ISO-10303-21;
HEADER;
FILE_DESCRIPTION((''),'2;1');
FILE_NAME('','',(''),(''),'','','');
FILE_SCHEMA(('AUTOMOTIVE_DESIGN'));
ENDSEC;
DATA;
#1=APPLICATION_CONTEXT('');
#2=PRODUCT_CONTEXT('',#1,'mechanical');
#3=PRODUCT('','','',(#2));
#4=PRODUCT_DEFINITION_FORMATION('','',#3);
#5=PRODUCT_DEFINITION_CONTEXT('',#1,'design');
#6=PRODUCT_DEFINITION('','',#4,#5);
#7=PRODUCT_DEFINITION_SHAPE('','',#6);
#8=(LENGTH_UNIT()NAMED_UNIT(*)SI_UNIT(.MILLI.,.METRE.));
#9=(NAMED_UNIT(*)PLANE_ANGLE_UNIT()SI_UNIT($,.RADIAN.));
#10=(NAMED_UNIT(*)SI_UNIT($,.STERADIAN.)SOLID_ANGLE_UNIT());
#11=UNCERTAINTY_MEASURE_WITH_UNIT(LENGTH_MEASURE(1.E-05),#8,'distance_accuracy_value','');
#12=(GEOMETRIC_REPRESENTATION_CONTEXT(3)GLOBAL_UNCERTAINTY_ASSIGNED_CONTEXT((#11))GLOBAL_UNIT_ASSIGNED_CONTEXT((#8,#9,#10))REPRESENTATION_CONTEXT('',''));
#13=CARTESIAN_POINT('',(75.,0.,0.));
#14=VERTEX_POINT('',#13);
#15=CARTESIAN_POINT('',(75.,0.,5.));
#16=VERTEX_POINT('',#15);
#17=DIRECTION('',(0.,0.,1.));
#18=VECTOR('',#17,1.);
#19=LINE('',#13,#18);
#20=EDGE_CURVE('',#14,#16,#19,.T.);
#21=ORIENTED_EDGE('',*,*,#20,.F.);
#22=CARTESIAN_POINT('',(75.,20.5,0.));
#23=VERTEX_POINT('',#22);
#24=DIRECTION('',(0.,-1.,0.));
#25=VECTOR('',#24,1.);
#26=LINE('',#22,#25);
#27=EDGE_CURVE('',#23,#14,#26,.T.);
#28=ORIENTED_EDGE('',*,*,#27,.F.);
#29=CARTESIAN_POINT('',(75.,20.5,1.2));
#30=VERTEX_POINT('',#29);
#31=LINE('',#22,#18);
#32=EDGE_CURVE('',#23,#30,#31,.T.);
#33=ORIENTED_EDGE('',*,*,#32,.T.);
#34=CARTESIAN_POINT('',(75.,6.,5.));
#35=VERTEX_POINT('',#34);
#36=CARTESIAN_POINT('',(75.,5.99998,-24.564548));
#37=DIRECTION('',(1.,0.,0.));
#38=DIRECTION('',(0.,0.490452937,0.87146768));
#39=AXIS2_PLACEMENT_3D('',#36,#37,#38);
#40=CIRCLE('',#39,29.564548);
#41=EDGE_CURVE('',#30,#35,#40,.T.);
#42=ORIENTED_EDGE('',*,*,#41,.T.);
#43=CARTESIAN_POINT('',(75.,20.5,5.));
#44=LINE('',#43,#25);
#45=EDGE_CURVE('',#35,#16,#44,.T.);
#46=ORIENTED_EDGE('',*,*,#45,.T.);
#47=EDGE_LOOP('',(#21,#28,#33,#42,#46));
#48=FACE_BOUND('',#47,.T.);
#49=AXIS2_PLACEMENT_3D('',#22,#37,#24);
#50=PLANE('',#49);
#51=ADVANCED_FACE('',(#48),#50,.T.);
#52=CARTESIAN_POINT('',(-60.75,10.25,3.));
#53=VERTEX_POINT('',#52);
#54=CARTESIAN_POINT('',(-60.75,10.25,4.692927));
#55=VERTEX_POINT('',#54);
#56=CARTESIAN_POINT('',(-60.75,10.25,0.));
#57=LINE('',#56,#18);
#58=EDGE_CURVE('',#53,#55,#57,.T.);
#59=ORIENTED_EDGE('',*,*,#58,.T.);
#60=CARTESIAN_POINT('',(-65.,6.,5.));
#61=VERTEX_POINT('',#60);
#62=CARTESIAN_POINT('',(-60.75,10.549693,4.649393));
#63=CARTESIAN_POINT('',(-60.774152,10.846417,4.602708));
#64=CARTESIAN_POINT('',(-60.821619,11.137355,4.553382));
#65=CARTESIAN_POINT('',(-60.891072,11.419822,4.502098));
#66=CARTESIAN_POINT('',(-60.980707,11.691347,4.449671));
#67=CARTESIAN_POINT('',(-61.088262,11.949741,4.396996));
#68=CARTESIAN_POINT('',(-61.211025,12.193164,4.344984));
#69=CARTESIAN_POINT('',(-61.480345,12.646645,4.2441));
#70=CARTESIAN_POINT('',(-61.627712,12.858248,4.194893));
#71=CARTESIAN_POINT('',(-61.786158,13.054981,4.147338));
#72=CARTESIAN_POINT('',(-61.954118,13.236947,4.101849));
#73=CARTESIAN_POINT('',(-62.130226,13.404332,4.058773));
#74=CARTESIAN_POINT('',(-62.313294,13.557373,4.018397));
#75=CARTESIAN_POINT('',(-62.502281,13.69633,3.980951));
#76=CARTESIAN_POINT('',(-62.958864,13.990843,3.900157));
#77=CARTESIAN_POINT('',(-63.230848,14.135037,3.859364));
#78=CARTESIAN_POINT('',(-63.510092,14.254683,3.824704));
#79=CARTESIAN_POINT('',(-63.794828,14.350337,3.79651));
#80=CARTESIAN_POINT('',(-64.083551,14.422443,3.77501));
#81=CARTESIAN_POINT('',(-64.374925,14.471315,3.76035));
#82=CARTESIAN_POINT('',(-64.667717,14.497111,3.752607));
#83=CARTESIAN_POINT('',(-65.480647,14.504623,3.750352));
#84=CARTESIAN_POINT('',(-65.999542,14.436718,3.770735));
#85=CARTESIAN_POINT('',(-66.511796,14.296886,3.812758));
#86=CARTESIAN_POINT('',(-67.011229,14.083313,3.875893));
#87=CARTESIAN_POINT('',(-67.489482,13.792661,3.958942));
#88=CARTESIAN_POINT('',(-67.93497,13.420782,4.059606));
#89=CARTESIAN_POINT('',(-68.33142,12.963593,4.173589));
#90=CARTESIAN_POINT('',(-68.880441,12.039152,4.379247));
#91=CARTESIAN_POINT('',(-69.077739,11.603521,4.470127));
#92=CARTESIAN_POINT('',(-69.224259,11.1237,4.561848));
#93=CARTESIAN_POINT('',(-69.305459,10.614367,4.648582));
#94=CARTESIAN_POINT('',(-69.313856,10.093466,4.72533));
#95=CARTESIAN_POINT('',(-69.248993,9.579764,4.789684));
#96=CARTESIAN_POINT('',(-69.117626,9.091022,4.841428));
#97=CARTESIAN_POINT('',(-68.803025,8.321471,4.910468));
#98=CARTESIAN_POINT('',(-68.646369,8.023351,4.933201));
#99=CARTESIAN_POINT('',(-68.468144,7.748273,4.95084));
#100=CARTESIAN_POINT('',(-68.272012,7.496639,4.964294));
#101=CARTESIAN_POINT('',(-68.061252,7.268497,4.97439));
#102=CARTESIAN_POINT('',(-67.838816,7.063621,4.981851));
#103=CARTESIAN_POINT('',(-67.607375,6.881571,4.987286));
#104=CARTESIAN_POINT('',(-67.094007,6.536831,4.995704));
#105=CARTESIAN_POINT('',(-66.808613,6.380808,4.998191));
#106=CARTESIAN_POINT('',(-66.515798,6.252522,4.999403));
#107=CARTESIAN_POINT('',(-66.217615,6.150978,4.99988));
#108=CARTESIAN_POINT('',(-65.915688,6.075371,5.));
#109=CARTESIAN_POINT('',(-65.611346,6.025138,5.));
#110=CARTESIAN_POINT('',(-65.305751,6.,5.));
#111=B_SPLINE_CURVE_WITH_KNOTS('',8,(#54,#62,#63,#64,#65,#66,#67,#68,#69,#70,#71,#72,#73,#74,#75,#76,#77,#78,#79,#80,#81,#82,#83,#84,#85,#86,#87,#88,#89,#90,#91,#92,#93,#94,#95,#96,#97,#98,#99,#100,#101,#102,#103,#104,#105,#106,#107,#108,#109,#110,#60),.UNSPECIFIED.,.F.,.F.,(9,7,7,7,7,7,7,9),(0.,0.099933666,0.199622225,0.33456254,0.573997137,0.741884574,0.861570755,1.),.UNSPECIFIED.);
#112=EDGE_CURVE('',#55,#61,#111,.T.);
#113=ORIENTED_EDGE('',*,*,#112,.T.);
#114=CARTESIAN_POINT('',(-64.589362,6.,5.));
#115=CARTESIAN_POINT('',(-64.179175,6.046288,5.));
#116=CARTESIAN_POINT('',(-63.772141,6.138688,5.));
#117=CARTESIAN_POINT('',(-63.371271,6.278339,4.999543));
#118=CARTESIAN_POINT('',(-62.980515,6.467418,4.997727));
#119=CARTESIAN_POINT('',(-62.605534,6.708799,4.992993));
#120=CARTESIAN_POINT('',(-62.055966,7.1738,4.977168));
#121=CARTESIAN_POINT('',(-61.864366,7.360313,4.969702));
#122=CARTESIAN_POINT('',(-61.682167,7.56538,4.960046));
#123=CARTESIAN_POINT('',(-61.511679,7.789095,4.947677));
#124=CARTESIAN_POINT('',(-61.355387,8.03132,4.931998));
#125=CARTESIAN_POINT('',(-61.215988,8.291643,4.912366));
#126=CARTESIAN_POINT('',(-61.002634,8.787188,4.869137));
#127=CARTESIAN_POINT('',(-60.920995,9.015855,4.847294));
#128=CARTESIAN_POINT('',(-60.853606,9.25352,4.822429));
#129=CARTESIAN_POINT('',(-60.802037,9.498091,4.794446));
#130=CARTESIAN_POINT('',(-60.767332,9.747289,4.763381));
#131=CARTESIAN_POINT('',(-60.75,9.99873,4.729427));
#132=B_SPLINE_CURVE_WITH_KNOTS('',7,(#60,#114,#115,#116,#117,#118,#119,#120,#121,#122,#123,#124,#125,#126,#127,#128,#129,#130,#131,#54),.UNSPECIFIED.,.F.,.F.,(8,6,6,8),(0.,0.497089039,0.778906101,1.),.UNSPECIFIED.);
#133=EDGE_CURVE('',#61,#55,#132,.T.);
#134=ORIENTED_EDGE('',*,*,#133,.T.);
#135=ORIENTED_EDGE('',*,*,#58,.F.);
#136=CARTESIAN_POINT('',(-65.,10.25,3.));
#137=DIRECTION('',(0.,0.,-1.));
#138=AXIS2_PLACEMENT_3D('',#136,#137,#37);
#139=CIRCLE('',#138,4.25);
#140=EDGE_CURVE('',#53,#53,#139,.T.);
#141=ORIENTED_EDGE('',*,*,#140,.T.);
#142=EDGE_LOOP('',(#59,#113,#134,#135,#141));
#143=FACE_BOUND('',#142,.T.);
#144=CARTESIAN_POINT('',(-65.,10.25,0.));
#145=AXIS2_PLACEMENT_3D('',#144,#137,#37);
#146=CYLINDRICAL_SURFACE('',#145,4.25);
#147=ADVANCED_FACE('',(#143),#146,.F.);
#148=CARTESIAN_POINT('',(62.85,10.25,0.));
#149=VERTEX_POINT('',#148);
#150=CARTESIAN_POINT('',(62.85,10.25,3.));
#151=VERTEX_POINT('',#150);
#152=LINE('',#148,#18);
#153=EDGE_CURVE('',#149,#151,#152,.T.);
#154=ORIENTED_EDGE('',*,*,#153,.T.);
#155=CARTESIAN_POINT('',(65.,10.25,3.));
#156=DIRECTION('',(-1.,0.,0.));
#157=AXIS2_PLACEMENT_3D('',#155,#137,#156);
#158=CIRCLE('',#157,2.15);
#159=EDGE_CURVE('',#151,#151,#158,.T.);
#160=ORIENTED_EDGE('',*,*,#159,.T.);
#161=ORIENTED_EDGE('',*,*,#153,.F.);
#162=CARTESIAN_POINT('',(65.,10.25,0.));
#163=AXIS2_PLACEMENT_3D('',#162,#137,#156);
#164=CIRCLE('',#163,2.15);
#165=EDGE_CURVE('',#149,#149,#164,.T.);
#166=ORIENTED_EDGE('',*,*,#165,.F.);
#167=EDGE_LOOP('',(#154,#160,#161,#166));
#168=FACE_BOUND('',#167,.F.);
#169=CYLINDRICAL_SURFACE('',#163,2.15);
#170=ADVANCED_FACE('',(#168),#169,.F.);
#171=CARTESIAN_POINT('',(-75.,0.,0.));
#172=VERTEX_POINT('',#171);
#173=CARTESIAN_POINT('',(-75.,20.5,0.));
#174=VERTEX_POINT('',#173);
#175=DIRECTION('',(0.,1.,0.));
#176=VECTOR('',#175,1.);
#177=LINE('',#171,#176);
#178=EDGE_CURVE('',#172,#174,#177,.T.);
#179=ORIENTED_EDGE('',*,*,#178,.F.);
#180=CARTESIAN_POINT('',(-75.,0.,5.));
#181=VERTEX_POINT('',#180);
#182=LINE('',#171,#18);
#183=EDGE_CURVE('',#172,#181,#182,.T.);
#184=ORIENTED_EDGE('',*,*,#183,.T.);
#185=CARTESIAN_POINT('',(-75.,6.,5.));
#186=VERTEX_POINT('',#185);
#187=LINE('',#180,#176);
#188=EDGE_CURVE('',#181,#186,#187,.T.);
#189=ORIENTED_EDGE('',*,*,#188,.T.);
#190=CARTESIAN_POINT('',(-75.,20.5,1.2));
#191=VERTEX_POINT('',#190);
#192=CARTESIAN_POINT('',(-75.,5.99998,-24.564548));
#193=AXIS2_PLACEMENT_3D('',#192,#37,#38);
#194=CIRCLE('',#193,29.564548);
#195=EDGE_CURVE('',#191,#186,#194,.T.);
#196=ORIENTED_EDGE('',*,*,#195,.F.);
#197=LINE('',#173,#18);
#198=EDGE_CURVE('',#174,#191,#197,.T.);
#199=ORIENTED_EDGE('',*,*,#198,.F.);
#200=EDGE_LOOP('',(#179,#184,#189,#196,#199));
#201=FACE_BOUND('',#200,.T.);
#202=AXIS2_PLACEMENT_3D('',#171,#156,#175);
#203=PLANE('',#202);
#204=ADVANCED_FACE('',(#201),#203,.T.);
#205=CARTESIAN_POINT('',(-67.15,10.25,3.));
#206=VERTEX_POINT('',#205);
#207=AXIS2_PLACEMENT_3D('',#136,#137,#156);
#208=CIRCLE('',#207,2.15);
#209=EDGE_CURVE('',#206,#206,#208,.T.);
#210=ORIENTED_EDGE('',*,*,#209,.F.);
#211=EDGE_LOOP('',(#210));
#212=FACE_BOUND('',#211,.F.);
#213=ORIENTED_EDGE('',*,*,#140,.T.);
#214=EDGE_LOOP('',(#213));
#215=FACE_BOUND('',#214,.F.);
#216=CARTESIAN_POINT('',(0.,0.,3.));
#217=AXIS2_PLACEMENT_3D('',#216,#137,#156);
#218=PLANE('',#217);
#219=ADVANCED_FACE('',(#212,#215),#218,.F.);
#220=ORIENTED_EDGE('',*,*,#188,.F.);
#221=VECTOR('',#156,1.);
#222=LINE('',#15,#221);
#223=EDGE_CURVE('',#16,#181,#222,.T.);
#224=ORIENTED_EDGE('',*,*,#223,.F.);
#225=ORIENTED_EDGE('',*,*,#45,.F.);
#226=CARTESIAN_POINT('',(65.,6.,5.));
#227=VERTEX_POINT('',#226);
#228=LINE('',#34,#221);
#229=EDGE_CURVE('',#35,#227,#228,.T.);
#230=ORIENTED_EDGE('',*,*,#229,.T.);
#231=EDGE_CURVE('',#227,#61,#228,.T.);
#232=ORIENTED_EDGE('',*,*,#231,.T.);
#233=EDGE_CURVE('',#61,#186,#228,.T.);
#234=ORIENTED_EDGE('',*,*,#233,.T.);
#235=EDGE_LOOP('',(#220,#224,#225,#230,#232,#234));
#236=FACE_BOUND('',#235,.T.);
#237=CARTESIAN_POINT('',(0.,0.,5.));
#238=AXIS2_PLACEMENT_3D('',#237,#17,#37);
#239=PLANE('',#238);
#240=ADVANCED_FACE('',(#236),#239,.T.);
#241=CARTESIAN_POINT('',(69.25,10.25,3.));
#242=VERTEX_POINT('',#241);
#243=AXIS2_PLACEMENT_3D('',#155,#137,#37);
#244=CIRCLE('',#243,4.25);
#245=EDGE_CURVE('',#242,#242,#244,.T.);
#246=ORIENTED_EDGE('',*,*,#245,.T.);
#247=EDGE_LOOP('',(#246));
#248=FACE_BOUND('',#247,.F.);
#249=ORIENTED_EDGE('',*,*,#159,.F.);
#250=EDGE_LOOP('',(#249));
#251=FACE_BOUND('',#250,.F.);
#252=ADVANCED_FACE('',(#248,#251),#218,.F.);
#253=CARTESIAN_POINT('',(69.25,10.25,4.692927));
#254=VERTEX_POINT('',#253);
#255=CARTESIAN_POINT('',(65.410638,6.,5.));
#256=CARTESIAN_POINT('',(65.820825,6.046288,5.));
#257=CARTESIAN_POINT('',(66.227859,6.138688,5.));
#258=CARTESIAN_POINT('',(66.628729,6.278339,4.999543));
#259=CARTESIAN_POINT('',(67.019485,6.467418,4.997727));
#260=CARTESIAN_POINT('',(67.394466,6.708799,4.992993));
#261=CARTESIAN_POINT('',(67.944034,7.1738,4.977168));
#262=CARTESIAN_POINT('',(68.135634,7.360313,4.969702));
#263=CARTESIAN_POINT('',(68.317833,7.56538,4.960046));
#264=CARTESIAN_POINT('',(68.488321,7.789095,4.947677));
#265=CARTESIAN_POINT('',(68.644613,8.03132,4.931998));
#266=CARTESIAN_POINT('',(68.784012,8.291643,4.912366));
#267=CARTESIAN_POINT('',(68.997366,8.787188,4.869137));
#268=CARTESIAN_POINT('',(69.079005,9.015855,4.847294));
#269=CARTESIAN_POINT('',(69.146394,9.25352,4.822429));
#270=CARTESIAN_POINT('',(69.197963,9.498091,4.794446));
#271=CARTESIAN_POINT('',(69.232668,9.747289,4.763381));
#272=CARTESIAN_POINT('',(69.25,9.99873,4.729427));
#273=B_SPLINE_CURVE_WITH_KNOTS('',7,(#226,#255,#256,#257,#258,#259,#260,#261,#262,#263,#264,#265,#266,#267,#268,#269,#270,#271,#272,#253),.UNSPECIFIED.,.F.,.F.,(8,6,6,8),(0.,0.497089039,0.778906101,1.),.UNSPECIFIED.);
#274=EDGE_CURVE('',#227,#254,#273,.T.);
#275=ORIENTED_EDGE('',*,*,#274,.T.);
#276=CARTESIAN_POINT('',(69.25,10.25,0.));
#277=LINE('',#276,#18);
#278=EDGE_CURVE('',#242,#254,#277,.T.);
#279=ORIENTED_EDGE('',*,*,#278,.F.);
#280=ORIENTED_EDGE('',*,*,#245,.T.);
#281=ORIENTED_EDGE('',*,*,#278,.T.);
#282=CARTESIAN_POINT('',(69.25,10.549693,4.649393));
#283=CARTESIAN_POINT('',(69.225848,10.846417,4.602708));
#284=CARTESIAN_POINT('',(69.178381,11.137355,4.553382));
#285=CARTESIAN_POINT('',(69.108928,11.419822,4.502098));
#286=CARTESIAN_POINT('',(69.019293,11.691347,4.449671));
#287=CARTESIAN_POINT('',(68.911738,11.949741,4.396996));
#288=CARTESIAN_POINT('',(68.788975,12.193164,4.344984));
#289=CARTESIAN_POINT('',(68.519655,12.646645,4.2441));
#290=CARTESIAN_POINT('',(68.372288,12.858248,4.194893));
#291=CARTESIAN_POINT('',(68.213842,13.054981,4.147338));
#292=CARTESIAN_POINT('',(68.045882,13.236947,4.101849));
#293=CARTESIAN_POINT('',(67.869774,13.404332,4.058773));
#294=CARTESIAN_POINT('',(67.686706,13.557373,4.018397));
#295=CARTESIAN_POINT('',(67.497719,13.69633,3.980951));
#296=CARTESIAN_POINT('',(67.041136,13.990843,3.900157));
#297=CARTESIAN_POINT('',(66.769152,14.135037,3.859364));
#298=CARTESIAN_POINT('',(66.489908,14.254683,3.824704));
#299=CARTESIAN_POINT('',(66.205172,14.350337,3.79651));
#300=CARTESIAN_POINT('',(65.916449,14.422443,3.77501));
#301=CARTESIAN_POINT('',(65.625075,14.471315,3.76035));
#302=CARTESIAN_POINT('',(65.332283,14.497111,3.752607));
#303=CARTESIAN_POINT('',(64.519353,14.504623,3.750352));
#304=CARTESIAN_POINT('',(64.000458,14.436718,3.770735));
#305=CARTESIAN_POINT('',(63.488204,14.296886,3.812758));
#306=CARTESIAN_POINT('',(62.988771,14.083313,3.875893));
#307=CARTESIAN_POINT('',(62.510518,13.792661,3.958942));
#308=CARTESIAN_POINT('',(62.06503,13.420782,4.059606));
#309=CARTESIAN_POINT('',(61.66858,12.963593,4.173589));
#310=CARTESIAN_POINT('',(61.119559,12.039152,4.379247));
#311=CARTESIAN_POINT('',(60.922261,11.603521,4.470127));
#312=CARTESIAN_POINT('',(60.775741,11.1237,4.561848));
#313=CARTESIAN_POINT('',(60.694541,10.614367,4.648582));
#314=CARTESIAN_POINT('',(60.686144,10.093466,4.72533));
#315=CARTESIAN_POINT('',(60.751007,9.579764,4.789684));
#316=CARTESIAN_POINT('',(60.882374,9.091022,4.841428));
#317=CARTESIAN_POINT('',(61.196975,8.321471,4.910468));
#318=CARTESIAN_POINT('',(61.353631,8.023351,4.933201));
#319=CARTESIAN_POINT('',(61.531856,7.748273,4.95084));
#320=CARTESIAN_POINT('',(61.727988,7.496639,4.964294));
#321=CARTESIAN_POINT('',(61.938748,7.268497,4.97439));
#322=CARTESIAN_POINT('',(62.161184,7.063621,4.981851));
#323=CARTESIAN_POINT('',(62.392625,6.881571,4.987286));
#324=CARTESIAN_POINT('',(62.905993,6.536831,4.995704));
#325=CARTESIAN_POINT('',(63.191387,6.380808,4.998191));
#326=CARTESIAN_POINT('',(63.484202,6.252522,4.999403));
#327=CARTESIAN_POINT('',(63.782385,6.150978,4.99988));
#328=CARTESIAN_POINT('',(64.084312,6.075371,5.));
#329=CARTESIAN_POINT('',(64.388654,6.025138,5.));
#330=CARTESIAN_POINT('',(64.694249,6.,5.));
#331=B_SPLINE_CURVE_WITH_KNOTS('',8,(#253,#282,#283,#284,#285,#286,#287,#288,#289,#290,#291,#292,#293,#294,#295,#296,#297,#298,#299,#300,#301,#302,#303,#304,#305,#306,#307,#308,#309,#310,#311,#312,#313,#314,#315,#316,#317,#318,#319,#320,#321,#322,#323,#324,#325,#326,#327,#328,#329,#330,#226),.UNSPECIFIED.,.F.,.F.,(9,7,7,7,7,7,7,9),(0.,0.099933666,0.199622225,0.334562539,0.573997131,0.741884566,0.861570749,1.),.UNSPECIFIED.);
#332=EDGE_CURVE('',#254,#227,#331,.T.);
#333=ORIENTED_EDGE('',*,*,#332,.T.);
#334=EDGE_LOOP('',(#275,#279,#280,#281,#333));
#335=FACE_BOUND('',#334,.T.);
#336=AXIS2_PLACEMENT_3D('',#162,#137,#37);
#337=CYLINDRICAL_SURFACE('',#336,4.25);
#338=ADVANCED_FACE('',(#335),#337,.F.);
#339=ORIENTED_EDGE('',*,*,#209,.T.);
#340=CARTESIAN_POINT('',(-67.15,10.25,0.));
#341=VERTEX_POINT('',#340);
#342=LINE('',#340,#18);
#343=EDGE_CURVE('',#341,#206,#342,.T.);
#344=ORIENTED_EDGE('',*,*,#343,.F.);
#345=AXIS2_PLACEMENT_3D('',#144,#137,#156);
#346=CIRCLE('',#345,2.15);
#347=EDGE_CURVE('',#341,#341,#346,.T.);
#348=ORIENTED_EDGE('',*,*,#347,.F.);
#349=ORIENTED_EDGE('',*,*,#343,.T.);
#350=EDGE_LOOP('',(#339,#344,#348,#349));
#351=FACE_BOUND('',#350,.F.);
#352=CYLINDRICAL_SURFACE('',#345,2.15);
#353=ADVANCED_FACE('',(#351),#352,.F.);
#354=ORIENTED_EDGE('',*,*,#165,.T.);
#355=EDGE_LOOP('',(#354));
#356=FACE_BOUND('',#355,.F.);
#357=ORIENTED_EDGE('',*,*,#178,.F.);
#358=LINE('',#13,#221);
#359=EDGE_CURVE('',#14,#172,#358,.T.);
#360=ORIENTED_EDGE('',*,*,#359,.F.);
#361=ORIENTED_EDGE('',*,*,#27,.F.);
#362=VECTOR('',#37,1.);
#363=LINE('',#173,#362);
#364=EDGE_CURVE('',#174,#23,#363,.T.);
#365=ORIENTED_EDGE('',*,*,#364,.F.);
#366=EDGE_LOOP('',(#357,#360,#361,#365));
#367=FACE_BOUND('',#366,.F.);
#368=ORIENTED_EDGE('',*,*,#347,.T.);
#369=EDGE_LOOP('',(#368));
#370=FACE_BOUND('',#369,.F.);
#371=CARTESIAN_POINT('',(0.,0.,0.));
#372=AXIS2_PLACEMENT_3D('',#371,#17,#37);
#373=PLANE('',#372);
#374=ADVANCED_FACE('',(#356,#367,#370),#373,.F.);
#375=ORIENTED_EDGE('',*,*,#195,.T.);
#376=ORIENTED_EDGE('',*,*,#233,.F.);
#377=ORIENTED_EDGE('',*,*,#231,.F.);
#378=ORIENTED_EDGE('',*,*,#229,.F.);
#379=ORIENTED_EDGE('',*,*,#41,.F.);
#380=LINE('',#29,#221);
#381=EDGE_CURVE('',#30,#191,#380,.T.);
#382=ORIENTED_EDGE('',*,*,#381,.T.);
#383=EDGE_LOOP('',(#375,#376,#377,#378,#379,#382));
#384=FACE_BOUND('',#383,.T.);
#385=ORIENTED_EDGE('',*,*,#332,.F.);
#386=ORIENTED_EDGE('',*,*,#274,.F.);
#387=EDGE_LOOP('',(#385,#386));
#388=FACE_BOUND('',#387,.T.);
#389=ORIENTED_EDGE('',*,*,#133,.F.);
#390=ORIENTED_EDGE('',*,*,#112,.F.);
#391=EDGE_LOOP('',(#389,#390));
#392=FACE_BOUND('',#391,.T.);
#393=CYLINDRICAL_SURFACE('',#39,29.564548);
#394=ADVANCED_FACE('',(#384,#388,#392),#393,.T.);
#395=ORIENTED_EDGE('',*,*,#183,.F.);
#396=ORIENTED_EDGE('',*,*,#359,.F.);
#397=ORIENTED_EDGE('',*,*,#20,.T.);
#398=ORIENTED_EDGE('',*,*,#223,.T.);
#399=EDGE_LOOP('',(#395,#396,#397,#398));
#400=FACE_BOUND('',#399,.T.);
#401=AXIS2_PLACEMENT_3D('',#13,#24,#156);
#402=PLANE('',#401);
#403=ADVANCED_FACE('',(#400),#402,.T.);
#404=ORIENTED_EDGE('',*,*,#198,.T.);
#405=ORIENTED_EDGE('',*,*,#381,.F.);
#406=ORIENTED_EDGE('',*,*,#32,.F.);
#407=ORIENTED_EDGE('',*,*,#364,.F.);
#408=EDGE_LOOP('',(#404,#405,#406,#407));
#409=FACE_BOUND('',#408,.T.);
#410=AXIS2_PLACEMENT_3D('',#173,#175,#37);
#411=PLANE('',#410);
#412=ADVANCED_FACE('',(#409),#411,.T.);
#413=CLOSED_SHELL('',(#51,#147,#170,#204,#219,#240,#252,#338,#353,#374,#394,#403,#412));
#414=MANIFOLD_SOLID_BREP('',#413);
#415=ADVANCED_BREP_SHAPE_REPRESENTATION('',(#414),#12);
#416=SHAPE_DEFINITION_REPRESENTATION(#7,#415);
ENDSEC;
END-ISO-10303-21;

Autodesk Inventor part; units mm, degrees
ref_plane "YZ Plane" through (0, 0, 0) normal (1, 0, 0) x (0, 1, 0)
ref_plane "XZ Plane" through (0, 0, 0) normal (0, 1, 0) x (-1, 0, 0)
ref_plane "XY Plane" through (0, 0, 0) normal (0, 0, 1) x (1, 0, 0)
sketch "スケッチ1" plane through (0, 0, 0) normal (0, 0, 1) x (1, 0, 0)
  line L0 (-75, 20.5) -> (75, 20.5)
  line L1 (75, 20.5) -> (75, 0)
  line L2 (75, 0) -> (-75, 0)
  line L3 (-75, 0) -> (-75, 20.5)
  circle A0 centre (-65, 10.25) radius 4.25
  circle A1 centre (65, 10.25) radius 4.25
  point P0 (0, 0)
  point P1 (0, 0)
  dimension "d0" = 20.5
  dimension "d1" = 150
  dimension "d2" = 10.25
  dimension "d3" = 130
  dimension "d4" = 10
  dimension "d5" = 8.5
extrude "押し出し1" add sketch "スケッチ1" along normal blind 5
sketch "スケッチ3" plane through (75, 0, 0) normal (1, 0, 0) x (0, 0, -1)
  line L0 (0, 0) -> (0, 20.5) construction
  line L1 (0, 20.5) -> (-5, 20.5) construction
  line L2 (-5, 0) -> (-5, 20.5) construction
  line L3 (0, 0) -> (-5, 0) construction
  line L4 (0, 20.5) -> (-5, 20.5) projected
  arc A0 (-1.2, 20.5) -> (-5, 6) centre (24.5645, 6) ccw
  line L5 (-5, 0) -> (-5, 20.5) projected
  line L6 (-1.2, 20.5) -> (-5, 13.7479) construction
  line L7 (-1.2, 20.5) -> (-5, 20.5)
  line L8 (-5, 6) -> (-5, 20.5)
  point P0 (0, 0)
  dimension "d12" = 1.2
  dimension "d13" = 6
extrude "押し出し3" cut sketch "スケッチ3" against normal through all
sketch "スケッチ4" plane through (0, 0, 0) normal (0, 0, -1) x (-1, 0, 0)
  circle A0 centre (-65, 10.25) radius 4.25 projected
  circle A1 centre (65, 10.25) radius 4.25 projected
  circle A2 centre (-65, 10.25) radius 2.15
  circle A3 centre (65, 10.25) radius 2.15
  point P0 (0, 0)
  dimension "d16" = 4.3
extrude "押し出し4" add sketch "スケッチ4" against normal blind 3
equation "\"d2\" = 0.5 * d0"
equation "\"d4\" = -0.5 * d3 + 0.5 * d1"
properties part number "top_140mm_2"
